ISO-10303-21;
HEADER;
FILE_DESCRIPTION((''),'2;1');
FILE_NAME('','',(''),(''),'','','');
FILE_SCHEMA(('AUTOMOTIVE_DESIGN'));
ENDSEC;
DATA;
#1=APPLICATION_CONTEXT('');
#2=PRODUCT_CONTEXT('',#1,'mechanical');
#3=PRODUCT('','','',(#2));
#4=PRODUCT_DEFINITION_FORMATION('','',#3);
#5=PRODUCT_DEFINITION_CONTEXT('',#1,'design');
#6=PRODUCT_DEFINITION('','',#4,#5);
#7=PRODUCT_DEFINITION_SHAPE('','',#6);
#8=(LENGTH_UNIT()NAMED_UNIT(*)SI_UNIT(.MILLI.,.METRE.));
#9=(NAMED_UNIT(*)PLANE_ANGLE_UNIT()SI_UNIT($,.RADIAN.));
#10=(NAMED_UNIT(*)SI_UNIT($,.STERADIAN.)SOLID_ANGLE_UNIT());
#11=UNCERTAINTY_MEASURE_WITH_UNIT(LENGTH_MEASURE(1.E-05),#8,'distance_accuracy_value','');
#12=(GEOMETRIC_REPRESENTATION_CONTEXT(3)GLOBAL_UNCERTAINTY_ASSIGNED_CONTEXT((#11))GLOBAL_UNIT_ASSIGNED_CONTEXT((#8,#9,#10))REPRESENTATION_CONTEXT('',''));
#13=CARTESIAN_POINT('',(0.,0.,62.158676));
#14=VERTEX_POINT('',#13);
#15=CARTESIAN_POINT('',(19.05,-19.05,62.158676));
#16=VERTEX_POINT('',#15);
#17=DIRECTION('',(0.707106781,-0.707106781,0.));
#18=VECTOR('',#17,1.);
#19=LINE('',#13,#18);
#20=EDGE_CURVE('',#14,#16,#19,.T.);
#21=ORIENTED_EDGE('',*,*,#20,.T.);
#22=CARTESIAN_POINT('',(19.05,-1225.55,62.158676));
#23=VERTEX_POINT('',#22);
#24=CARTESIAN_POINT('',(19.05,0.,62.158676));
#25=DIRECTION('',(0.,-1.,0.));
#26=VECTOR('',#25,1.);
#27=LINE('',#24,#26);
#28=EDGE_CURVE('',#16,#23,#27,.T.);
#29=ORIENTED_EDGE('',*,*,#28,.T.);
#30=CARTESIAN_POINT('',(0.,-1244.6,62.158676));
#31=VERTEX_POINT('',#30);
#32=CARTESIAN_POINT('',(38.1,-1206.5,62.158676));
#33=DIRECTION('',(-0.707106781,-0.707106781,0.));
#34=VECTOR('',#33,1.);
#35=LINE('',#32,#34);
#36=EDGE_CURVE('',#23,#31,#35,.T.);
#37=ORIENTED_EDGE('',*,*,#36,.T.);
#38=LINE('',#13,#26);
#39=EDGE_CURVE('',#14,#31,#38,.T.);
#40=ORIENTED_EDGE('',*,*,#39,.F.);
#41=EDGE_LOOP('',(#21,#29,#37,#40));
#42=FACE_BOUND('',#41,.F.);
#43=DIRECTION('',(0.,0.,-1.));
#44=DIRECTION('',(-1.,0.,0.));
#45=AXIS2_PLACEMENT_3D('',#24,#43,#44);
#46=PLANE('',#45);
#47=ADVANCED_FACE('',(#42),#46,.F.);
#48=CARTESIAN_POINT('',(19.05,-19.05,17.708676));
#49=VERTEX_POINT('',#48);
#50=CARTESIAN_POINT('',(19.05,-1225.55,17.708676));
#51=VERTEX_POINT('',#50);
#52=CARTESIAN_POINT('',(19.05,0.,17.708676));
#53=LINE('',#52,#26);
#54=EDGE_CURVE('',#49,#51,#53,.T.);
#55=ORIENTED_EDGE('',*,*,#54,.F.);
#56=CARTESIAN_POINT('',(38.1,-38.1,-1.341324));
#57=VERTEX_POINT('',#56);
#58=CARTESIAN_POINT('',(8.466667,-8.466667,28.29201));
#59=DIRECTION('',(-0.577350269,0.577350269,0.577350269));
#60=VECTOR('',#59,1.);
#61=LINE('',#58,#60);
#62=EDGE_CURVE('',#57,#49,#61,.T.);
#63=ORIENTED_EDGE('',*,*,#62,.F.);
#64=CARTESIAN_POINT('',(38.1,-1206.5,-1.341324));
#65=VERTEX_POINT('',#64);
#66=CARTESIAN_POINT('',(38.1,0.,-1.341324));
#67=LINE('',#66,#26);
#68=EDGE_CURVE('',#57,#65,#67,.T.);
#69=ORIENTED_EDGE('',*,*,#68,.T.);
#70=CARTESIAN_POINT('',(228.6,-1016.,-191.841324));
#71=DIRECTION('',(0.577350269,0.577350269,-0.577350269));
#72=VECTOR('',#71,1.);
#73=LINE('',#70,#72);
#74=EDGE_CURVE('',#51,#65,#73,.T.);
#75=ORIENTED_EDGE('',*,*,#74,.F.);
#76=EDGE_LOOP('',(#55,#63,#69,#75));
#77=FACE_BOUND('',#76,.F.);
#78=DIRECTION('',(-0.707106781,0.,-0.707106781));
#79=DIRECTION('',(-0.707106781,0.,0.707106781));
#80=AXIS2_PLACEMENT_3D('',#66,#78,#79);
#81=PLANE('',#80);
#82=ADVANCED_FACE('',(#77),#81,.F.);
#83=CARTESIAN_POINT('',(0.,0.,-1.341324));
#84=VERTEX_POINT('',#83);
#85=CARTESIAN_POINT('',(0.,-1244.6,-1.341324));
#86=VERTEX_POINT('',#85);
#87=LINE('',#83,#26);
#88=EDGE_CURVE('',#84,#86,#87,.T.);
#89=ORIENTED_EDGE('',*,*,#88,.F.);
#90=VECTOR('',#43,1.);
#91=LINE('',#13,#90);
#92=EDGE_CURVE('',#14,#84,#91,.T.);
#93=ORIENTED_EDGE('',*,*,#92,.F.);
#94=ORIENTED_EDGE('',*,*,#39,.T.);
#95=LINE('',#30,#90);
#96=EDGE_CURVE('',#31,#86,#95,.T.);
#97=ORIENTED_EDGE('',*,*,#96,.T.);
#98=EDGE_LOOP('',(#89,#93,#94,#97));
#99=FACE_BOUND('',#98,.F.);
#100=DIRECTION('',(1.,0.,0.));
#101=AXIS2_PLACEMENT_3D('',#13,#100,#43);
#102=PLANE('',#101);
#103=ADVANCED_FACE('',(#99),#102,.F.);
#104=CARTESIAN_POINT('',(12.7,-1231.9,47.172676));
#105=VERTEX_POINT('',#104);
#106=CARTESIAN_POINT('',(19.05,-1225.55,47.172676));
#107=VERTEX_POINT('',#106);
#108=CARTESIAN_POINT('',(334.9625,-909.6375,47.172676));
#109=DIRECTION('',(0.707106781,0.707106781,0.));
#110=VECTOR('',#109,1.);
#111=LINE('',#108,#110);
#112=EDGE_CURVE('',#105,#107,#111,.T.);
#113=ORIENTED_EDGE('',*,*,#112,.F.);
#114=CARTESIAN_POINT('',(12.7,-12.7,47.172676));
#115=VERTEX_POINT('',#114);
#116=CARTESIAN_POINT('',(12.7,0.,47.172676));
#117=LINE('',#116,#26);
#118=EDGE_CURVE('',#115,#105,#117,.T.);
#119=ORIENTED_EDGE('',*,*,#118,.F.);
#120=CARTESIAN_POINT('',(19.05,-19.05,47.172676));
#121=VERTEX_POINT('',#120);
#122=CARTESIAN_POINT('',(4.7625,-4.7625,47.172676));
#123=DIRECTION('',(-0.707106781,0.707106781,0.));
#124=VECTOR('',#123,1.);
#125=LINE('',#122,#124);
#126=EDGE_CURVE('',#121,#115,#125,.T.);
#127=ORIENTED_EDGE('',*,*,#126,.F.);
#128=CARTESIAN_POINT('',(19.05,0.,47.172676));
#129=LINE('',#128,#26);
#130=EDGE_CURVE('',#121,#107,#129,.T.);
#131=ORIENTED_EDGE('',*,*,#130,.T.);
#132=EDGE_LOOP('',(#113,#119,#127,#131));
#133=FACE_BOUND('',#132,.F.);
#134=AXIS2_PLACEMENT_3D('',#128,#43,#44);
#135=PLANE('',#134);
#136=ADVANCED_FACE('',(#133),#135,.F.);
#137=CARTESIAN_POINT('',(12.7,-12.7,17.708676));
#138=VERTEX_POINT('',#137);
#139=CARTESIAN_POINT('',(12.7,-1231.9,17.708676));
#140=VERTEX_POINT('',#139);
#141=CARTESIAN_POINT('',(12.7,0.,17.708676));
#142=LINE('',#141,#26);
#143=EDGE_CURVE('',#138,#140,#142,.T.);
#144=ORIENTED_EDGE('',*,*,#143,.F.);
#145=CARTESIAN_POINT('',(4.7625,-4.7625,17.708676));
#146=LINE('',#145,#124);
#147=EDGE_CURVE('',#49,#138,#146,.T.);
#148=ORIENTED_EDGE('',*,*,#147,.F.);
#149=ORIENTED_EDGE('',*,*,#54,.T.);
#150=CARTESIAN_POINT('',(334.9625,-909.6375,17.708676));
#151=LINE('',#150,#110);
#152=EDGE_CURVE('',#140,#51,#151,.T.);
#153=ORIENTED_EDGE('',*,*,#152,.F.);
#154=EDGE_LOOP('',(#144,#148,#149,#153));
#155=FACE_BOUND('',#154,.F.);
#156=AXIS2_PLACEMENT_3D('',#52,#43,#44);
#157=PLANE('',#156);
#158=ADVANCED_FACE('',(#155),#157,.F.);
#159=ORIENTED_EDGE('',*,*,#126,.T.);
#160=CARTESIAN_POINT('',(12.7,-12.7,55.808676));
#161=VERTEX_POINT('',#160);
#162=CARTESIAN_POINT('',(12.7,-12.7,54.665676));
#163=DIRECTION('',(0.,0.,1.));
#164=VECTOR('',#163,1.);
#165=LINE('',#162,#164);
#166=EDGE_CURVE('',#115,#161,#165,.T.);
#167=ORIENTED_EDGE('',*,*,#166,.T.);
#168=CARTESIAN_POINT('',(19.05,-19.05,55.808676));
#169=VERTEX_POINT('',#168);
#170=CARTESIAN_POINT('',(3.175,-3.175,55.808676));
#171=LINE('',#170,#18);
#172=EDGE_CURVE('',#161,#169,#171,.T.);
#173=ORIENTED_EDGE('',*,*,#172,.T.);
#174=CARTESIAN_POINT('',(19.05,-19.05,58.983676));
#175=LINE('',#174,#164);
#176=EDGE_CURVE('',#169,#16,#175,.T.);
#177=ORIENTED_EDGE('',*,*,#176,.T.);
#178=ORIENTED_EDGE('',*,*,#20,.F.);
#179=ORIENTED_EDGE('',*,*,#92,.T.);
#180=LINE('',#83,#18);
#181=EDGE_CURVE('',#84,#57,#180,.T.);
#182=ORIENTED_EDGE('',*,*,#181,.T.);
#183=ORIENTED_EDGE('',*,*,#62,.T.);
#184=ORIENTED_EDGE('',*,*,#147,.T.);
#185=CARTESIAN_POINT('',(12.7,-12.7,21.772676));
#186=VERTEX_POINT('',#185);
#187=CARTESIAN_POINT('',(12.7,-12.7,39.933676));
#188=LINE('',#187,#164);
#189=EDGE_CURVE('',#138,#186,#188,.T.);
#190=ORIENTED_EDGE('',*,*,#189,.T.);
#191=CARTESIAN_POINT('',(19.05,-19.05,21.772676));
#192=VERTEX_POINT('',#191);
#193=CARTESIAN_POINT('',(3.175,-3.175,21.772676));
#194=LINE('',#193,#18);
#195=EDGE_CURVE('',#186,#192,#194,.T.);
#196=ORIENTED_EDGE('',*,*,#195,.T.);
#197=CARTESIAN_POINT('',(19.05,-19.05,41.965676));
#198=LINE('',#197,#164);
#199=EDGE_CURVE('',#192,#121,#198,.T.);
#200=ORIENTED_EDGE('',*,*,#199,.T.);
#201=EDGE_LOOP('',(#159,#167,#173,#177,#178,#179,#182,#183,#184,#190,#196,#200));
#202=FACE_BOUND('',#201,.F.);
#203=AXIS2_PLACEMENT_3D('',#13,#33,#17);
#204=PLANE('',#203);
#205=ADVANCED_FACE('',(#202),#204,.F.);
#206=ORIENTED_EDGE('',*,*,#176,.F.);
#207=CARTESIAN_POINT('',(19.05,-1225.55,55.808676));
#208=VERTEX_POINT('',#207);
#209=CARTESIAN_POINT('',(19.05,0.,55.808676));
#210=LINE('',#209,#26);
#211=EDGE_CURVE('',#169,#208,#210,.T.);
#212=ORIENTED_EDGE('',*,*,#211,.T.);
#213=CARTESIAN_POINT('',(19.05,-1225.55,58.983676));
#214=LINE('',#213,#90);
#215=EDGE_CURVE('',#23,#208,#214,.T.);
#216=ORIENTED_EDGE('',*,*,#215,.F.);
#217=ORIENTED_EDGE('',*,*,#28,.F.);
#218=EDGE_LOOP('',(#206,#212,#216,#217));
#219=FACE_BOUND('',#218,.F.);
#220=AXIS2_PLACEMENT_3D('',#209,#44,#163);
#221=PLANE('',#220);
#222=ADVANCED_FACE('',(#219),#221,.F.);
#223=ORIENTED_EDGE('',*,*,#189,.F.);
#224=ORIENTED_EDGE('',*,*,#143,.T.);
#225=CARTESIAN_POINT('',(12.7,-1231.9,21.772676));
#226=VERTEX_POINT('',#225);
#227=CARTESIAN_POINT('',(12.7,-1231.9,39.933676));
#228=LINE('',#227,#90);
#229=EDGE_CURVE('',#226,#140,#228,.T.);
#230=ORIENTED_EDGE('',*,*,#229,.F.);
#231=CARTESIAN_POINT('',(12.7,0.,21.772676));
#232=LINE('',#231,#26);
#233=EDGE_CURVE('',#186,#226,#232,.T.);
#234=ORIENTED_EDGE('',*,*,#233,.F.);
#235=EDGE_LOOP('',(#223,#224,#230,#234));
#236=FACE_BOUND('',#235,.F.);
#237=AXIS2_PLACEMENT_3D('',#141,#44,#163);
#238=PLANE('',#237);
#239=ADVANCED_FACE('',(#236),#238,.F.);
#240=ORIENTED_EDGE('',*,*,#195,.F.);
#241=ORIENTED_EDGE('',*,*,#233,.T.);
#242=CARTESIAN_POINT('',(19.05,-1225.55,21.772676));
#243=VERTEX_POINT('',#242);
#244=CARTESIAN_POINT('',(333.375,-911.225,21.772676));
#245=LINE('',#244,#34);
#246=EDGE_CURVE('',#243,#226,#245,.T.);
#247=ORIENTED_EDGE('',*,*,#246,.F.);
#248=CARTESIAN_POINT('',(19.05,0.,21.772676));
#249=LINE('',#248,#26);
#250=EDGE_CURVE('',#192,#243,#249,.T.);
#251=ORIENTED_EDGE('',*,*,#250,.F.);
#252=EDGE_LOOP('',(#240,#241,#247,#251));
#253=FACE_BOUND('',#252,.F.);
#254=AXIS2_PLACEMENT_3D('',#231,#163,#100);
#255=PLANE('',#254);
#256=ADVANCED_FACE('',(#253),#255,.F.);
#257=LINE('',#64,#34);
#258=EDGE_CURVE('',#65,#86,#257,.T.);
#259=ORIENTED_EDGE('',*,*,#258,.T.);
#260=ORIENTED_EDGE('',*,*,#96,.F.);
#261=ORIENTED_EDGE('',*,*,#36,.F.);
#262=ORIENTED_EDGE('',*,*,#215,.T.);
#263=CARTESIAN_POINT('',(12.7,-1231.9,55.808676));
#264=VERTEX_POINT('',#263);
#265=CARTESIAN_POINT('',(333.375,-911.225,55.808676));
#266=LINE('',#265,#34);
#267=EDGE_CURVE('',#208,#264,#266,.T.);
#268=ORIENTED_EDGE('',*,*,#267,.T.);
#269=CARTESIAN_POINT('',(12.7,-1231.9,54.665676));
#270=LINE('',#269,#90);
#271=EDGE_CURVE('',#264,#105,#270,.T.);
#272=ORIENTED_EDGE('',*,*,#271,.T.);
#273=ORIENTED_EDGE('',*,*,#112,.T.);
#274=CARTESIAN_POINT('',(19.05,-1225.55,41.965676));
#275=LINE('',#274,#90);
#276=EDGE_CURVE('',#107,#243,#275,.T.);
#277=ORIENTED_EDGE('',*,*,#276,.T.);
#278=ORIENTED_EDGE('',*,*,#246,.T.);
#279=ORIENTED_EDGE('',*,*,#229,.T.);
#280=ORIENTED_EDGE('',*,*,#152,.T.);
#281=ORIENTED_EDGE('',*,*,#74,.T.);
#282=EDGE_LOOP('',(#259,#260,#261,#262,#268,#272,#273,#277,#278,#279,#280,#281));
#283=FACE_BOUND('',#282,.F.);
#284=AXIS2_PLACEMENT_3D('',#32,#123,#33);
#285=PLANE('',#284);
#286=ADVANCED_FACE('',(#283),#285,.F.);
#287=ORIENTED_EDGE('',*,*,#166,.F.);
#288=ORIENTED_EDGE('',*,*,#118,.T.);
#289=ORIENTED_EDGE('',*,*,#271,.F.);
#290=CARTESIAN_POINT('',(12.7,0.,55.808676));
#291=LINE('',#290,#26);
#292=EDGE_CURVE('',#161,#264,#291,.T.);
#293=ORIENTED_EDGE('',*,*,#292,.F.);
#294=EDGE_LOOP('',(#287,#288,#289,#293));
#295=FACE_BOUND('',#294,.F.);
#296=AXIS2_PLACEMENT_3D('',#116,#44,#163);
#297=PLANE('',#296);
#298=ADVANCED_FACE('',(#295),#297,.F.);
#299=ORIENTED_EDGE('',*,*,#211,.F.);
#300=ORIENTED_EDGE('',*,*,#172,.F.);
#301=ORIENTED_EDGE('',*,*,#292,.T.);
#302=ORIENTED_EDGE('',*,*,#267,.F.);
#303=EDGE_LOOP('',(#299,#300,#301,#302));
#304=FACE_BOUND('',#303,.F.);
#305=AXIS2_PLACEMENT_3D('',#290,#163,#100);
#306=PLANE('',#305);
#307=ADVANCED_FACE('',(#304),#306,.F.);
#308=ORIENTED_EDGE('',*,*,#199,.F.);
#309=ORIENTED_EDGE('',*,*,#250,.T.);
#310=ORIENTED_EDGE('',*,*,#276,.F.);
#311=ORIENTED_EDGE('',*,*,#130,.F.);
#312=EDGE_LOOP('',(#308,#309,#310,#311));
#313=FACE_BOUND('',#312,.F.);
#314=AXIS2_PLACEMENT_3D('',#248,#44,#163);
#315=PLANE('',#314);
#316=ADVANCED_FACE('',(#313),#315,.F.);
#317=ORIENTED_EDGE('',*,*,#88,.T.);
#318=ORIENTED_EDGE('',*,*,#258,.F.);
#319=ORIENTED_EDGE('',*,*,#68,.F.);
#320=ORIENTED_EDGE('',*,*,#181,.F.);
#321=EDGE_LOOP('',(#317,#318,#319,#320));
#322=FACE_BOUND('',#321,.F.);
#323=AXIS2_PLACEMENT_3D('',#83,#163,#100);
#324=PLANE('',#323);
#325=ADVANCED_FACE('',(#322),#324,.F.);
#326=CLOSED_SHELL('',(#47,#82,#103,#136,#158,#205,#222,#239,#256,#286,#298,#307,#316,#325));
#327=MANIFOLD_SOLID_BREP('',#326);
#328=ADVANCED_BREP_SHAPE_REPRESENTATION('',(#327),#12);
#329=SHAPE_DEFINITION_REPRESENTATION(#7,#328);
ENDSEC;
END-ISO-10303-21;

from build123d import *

# Parameters (mm, degrees)
F1_DEPTH = 1244.6
F3_DEPTH = 63.5


with BuildPart() as f1:
    # F0 (on Front) → F1 (new body)
    with BuildSketch(Plane.XZ):
        Polygon((19.05, 62.158676461), (0, 62.158676461), (0, -1.341323539), (38.1, -1.341323539), (19.05, 17.708676461), (12.7, 17.708676461), (12.7, 21.772676461), (19.05, 21.772676461), (19.05, 47.172676461), (12.7, 47.172676461), (12.7, 55.808676461), (19.05, 55.808676461), align=None)
    extrude(amount=F1_DEPTH)

    # F2 (on face) → F3 (cut)
    with BuildSketch(Plane.XY.offset(62.158676461)):
        Polygon((19.05, -1225.55), (0, -1244.6), (19.05, -1244.6), align=None)
        Polygon((38.1, -1206.5), (19.05, -1225.55), (19.05, -1244.6), (38.1, -1244.6), align=None)
        Polygon((19.05, 0), (0, 0), (19.05, -19.05), align=None)
        Polygon((38.1, 0), (19.05, 0), (19.05, -19.05), (38.1, -38.1), align=None)
    extrude(amount=-F3_DEPTH, mode=Mode.SUBTRACT)


solid = f1.part
